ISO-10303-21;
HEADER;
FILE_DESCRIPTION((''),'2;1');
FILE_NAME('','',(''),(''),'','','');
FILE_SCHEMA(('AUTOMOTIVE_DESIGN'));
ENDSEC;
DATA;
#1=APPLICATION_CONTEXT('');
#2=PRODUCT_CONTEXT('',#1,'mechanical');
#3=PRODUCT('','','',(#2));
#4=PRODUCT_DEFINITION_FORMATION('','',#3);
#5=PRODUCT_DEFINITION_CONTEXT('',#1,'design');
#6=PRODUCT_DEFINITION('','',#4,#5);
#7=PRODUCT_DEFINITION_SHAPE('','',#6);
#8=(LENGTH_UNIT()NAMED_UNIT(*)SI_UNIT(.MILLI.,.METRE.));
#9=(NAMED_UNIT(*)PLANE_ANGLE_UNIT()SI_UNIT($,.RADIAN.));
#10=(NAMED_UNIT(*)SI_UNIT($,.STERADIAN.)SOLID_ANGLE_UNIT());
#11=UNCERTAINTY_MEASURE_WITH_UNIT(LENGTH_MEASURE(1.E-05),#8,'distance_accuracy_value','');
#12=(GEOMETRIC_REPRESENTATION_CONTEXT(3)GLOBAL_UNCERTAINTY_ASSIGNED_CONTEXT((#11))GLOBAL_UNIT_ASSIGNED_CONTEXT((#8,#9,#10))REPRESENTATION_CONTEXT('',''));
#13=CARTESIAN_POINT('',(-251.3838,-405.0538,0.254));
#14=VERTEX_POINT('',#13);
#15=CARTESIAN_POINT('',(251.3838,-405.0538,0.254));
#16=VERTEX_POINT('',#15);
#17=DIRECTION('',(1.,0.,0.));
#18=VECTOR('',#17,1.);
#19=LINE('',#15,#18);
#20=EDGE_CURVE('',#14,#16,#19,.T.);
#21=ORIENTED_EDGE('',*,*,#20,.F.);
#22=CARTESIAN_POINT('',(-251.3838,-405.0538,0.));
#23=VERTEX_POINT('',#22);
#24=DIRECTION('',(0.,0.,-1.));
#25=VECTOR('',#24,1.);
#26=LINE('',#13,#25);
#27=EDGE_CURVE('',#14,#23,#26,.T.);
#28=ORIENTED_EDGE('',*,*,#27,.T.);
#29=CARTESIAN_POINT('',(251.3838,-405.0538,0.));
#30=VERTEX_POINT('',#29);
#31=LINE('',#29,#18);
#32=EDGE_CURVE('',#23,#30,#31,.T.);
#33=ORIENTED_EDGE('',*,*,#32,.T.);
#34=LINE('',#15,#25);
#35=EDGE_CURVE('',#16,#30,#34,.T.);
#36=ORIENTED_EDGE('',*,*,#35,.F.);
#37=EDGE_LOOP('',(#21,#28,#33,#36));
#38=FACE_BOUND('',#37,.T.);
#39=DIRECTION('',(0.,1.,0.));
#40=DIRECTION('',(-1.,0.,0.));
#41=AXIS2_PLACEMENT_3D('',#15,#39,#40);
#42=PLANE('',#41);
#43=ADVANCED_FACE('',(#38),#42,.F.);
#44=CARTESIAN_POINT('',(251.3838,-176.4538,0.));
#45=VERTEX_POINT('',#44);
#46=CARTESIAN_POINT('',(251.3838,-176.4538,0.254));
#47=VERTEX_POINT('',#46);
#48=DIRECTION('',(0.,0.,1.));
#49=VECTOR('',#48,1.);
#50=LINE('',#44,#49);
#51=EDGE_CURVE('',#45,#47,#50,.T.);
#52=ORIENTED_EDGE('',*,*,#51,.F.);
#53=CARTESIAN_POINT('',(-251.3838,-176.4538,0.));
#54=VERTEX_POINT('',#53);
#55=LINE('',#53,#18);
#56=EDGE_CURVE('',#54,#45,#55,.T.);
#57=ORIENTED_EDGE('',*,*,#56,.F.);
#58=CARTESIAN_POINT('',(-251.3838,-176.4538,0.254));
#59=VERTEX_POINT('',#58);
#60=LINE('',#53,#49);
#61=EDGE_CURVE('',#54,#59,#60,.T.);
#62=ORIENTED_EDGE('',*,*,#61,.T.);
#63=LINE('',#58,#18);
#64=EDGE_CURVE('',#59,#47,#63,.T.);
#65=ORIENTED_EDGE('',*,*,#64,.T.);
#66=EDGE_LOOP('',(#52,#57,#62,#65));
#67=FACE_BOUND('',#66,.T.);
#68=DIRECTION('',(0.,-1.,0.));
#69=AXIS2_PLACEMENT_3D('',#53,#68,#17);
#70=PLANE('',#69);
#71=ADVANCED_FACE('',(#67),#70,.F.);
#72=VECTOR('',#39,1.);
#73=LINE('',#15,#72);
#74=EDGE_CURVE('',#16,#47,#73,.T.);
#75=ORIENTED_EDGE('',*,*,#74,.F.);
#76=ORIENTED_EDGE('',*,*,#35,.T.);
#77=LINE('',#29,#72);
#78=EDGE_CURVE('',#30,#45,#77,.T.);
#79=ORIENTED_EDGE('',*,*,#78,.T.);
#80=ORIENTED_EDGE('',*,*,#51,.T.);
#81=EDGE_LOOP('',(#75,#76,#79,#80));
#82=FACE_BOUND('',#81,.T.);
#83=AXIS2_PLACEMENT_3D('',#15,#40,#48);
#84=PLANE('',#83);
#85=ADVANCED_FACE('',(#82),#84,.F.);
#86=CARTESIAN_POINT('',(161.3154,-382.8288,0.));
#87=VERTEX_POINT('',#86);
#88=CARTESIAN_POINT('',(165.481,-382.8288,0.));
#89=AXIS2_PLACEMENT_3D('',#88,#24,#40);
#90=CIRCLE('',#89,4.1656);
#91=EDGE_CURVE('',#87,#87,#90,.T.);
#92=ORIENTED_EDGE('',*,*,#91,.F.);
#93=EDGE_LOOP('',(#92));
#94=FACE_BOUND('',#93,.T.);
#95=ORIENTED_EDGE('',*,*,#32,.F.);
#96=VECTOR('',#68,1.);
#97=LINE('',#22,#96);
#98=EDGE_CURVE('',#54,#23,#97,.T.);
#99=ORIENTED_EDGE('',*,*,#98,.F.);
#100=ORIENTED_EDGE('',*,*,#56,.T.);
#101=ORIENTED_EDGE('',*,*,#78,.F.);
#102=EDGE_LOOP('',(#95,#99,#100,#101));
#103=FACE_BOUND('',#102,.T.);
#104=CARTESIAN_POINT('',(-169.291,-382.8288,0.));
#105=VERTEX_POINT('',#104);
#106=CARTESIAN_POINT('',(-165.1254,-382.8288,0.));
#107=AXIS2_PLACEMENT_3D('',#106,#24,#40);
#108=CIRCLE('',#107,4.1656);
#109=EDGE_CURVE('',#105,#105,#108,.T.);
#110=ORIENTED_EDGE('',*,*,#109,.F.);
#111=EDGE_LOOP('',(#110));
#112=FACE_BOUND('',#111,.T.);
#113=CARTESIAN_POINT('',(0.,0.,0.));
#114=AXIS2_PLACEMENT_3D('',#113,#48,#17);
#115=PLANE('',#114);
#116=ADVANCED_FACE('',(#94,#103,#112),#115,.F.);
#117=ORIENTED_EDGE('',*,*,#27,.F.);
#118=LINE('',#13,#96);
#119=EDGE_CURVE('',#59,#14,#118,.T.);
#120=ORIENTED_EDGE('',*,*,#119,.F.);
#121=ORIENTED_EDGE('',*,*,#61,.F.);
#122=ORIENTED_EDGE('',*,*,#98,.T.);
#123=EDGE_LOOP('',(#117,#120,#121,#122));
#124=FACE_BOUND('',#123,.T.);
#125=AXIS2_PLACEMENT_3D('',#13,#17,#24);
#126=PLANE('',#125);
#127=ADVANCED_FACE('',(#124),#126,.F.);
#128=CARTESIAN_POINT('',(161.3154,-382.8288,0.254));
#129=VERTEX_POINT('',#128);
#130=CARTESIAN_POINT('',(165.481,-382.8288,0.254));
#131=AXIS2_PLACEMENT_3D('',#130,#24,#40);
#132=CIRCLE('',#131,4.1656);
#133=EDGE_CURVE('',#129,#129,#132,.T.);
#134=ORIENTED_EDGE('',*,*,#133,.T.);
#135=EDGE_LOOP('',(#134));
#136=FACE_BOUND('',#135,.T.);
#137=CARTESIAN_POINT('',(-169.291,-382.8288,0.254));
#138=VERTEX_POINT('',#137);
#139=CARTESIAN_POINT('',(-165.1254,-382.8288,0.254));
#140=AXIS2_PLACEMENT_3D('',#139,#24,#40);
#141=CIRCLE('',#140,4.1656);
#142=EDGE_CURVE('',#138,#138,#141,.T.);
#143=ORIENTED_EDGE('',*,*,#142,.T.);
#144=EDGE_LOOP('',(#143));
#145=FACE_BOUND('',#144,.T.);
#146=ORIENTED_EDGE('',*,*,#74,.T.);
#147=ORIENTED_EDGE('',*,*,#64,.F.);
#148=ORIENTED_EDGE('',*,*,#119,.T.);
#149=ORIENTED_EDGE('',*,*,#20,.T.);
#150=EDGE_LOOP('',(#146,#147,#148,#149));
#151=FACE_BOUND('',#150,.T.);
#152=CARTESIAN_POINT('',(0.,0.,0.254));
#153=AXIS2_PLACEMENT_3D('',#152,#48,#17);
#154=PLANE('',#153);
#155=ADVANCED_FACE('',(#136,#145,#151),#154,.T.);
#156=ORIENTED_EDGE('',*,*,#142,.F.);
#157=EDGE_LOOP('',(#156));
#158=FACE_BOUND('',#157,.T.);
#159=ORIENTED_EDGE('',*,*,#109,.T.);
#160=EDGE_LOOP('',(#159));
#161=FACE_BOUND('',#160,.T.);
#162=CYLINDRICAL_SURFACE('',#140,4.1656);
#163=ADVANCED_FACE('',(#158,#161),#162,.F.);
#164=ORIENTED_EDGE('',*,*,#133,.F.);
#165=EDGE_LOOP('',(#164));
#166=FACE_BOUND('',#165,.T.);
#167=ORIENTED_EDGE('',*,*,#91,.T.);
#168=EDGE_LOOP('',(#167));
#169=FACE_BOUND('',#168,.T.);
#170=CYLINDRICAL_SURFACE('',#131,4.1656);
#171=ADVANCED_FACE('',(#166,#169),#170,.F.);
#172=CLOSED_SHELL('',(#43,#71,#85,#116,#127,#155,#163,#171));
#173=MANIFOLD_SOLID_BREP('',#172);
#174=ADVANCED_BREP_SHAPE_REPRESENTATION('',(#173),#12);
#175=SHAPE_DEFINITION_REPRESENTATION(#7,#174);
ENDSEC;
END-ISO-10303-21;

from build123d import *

# Parameters (mm, degrees)
SKETCH1_W           = 502.7676
SKETCH1_H           = 810.1076
BOSS_EXTRUDE1_DEPTH = 0.254
SKETCH2_R           = 4.1656
CUT_EXTRUDE1_DEPTH  = 1.254
SKETCH3_W           = 502.7676
SKETCH3_H           = 581.5076
CUT_EXTRUDE2_DEPTH  = 1.254


with BuildPart() as part:
    # Sketch1 → Boss-Extrude1 (new body)
    with BuildSketch(Plane.XY):
        Rectangle(SKETCH1_W, SKETCH1_H)
    extrude(amount=BOSS_EXTRUDE1_DEPTH)

    # Sketch2 → Cut-Extrude1 (cut, through all)
    with BuildSketch(Plane(origin=(0, 0, 0), x_dir=(-1, 0, 0), z_dir=(0, 0, -1))):
        with Locations((-165.481, 395.1478)):
            Circle(SKETCH2_R)
        with Locations((165.1254, 395.1478)):
            Circle(SKETCH2_R)
        with Locations((165.1254, -382.8288)):
            Circle(SKETCH2_R)
        with Locations((-165.481, -382.8288)):
            Circle(SKETCH2_R)
    extrude(amount=-CUT_EXTRUDE1_DEPTH, mode=Mode.SUBTRACT)

    # Sketch3 → Cut-Extrude2 (cut, through all)
    with BuildSketch(Plane.XY.offset(0.254)):
        with Locations((0, 114.3)):
            Rectangle(SKETCH3_W, SKETCH3_H)
    extrude(amount=-CUT_EXTRUDE2_DEPTH, mode=Mode.SUBTRACT)


solid = part.part
